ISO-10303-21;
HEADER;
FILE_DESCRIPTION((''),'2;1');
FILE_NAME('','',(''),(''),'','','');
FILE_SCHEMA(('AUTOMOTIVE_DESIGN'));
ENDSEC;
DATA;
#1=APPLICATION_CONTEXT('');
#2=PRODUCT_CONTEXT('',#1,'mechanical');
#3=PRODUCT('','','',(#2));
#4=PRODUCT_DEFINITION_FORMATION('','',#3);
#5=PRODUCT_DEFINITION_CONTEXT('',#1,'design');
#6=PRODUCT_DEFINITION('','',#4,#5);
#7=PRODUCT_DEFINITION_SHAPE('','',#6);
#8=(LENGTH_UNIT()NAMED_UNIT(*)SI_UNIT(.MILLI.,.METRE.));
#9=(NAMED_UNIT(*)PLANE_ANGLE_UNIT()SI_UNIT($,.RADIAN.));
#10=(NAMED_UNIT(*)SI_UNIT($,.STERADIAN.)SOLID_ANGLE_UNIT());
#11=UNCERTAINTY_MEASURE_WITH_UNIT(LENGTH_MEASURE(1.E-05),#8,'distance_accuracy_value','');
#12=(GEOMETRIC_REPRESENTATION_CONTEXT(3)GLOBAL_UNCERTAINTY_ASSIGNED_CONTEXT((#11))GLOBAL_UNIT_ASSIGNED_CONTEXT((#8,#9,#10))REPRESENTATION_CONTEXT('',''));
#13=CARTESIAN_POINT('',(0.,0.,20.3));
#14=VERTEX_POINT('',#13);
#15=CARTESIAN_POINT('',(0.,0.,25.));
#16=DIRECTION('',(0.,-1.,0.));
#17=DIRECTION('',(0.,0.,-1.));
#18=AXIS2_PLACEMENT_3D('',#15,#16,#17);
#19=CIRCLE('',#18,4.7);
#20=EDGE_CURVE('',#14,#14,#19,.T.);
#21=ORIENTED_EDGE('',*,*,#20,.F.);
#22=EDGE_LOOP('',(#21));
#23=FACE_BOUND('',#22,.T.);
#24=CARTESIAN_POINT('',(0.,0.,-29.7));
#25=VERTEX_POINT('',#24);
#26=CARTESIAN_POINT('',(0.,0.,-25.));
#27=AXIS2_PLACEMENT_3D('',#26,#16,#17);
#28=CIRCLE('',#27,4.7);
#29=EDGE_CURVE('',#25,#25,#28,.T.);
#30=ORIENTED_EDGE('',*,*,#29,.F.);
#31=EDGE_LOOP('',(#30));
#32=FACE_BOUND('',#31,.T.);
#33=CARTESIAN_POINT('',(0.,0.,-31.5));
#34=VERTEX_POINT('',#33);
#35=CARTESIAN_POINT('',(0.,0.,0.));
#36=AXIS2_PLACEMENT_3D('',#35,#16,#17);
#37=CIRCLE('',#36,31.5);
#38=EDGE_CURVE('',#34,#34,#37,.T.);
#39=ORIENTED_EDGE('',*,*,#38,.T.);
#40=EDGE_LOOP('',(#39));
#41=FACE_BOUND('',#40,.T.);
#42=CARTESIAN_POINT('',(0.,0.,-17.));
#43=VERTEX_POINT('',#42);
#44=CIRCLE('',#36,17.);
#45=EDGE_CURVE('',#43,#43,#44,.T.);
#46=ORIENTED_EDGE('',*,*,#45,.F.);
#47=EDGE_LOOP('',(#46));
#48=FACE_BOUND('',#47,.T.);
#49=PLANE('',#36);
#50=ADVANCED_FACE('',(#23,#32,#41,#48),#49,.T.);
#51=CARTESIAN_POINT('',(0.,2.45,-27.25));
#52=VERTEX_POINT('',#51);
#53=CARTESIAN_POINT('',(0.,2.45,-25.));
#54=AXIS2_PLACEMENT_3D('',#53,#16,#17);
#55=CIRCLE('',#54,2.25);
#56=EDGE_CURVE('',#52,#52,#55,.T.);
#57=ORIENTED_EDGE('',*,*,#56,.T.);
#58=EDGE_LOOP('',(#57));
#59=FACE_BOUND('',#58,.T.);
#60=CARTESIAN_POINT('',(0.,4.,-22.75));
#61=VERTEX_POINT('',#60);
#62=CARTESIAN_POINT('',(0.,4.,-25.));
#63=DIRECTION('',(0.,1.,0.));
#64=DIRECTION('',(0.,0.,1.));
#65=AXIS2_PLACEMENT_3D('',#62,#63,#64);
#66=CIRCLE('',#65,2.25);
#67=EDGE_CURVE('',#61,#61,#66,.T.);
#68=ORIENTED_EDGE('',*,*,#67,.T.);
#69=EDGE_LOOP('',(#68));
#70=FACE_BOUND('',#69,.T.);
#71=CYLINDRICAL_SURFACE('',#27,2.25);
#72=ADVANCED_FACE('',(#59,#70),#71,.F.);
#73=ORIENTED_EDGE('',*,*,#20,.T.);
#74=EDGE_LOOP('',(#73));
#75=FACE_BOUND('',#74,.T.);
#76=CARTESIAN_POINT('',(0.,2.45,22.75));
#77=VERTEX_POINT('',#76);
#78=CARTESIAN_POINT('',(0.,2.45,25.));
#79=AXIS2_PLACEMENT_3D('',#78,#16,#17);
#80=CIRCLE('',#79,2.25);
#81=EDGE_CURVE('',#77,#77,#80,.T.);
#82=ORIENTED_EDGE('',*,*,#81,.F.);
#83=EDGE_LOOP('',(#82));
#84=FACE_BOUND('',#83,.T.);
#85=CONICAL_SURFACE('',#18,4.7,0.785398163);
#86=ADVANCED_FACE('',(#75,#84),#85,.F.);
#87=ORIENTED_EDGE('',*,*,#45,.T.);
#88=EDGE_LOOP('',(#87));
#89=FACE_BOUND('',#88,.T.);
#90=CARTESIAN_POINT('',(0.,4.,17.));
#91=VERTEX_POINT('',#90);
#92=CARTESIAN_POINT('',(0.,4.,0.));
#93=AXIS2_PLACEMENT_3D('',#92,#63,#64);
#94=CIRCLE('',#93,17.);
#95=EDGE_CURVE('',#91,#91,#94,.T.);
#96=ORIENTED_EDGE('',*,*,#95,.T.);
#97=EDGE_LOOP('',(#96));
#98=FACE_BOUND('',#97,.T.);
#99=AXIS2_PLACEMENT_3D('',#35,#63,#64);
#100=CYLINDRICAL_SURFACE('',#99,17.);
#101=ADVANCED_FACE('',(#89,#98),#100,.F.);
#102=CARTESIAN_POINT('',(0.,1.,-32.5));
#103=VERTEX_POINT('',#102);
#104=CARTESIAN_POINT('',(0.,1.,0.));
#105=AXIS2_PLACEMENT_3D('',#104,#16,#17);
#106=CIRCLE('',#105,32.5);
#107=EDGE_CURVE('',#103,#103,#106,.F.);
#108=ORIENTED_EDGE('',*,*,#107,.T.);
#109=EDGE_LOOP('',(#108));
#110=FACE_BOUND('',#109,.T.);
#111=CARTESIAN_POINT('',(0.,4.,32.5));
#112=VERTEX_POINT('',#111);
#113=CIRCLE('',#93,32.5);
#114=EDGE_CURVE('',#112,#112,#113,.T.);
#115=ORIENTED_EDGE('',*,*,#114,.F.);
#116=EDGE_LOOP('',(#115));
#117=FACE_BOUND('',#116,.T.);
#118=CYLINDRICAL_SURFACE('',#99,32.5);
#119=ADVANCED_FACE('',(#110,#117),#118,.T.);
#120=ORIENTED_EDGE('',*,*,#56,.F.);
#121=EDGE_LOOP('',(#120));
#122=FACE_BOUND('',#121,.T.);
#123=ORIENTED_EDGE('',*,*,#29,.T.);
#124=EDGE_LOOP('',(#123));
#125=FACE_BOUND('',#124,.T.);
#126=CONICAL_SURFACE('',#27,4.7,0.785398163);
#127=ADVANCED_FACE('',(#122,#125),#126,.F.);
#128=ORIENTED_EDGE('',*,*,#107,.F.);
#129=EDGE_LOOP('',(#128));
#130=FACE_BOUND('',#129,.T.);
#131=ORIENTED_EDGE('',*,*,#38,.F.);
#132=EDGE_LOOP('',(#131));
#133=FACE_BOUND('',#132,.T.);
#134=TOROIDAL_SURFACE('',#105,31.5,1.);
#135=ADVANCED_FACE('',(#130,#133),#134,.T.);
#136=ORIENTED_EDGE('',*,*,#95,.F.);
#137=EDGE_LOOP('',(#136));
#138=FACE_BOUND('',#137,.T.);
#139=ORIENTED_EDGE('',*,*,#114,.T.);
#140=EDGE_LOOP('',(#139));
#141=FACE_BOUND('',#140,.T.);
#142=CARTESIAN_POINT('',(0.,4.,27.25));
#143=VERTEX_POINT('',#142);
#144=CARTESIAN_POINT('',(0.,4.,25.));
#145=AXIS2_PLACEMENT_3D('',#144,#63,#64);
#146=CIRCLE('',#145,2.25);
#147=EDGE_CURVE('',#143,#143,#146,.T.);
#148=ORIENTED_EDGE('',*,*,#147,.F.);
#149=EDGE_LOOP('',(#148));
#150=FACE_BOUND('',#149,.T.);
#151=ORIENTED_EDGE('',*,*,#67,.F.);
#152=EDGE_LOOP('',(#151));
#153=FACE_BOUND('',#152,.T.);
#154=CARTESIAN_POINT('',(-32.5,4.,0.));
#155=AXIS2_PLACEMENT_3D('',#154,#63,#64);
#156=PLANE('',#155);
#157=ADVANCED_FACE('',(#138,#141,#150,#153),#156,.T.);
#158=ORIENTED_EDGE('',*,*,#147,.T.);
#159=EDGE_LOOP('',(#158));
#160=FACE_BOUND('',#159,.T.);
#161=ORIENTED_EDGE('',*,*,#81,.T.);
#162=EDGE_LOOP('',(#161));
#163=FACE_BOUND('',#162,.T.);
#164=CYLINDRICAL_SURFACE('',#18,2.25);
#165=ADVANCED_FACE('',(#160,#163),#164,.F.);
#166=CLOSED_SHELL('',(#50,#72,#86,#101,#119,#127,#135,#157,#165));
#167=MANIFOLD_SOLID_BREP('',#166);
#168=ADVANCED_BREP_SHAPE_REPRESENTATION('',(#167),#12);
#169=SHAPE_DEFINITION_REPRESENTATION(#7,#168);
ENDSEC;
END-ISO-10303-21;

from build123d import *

# Parameters (mm, degrees)
CSK_SLOT_FOR_M4_COUNTERSUNK_FLAT_HEA_2_COUNT = 2
CSK_SLOT_FOR_M4_COUNTERSUNK_FLAT_HEA_2_PITCH = 50
FILLET1_R                                    = 1
CUT_EXTRUDE2_START                           = -10
SKETCH5_R                                    = 17
CUT_EXTRUDE2_DEPTH                           = 10


with BuildPart() as part:
    # Sketch1 → Revolve1 (revolve)
    with BuildSketch(Plane.XY, mode=Mode.PRIVATE) as revolve1_sk:
        Polygon((-32.5, 0), (-32.5, 4), (-17, 4), (-17, 2), (0, 2), (0, 0), align=None)
    revolve(revolve1_sk.sketch.rotate(Axis((0, 0, 0), (0, -1, 0)), 270), axis=Axis((0, 0, 0), (0, -1, 0)))

    # Sketch3 → CSK SLOT for M4 Countersunk Flat Head Screw1 (revolve, cut)
    with BuildSketch(Plane(origin=(0, 0, 25), x_dir=(0, 0, -1), z_dir=(1, 0, 0))):
        Polygon((0, 0), (0, 4), (2.25, 4), (2.25, 2.45), (4.7, 0), align=None)
    csk_slot_for_m4_countersunk_flat_head_sc = revolve(axis=Axis((0, -6.35, 25), (0, 1, 0)), mode=Mode.SUBTRACT)

    # CSK SLOT for M4 Countersunk Flat Hea 2: CSK SLOT for M4 Countersunk Flat Head Screw1 ×2
    with Locations(*[(0, 0, -i * CSK_SLOT_FOR_M4_COUNTERSUNK_FLAT_HEA_2_PITCH) for i in range(1, CSK_SLOT_FOR_M4_COUNTERSUNK_FLAT_HEA_2_COUNT)]):
        add(csk_slot_for_m4_countersunk_flat_head_sc, mode=Mode.SUBTRACT)

    # Fillet1
    fillet1_edges = [part.edges().sort_by_distance(p)[0] for p in [
        (0, 2, -17),
        (0, 0, -32.5),
    ]]
    fillet(fillet1_edges, radius=FILLET1_R)

    # Sketch5 → Cut-Extrude2 (cut)
    with BuildSketch(Plane(origin=(0, 4, 0), x_dir=(1, 0, 0), z_dir=(0, 1, 0)).offset(CUT_EXTRUDE2_START)):
        with Locations(Location((0, 0, 0), (0, 0, 270))):
            Circle(SKETCH5_R)
    extrude(amount=CUT_EXTRUDE2_DEPTH, mode=Mode.SUBTRACT)


solid = part.part
